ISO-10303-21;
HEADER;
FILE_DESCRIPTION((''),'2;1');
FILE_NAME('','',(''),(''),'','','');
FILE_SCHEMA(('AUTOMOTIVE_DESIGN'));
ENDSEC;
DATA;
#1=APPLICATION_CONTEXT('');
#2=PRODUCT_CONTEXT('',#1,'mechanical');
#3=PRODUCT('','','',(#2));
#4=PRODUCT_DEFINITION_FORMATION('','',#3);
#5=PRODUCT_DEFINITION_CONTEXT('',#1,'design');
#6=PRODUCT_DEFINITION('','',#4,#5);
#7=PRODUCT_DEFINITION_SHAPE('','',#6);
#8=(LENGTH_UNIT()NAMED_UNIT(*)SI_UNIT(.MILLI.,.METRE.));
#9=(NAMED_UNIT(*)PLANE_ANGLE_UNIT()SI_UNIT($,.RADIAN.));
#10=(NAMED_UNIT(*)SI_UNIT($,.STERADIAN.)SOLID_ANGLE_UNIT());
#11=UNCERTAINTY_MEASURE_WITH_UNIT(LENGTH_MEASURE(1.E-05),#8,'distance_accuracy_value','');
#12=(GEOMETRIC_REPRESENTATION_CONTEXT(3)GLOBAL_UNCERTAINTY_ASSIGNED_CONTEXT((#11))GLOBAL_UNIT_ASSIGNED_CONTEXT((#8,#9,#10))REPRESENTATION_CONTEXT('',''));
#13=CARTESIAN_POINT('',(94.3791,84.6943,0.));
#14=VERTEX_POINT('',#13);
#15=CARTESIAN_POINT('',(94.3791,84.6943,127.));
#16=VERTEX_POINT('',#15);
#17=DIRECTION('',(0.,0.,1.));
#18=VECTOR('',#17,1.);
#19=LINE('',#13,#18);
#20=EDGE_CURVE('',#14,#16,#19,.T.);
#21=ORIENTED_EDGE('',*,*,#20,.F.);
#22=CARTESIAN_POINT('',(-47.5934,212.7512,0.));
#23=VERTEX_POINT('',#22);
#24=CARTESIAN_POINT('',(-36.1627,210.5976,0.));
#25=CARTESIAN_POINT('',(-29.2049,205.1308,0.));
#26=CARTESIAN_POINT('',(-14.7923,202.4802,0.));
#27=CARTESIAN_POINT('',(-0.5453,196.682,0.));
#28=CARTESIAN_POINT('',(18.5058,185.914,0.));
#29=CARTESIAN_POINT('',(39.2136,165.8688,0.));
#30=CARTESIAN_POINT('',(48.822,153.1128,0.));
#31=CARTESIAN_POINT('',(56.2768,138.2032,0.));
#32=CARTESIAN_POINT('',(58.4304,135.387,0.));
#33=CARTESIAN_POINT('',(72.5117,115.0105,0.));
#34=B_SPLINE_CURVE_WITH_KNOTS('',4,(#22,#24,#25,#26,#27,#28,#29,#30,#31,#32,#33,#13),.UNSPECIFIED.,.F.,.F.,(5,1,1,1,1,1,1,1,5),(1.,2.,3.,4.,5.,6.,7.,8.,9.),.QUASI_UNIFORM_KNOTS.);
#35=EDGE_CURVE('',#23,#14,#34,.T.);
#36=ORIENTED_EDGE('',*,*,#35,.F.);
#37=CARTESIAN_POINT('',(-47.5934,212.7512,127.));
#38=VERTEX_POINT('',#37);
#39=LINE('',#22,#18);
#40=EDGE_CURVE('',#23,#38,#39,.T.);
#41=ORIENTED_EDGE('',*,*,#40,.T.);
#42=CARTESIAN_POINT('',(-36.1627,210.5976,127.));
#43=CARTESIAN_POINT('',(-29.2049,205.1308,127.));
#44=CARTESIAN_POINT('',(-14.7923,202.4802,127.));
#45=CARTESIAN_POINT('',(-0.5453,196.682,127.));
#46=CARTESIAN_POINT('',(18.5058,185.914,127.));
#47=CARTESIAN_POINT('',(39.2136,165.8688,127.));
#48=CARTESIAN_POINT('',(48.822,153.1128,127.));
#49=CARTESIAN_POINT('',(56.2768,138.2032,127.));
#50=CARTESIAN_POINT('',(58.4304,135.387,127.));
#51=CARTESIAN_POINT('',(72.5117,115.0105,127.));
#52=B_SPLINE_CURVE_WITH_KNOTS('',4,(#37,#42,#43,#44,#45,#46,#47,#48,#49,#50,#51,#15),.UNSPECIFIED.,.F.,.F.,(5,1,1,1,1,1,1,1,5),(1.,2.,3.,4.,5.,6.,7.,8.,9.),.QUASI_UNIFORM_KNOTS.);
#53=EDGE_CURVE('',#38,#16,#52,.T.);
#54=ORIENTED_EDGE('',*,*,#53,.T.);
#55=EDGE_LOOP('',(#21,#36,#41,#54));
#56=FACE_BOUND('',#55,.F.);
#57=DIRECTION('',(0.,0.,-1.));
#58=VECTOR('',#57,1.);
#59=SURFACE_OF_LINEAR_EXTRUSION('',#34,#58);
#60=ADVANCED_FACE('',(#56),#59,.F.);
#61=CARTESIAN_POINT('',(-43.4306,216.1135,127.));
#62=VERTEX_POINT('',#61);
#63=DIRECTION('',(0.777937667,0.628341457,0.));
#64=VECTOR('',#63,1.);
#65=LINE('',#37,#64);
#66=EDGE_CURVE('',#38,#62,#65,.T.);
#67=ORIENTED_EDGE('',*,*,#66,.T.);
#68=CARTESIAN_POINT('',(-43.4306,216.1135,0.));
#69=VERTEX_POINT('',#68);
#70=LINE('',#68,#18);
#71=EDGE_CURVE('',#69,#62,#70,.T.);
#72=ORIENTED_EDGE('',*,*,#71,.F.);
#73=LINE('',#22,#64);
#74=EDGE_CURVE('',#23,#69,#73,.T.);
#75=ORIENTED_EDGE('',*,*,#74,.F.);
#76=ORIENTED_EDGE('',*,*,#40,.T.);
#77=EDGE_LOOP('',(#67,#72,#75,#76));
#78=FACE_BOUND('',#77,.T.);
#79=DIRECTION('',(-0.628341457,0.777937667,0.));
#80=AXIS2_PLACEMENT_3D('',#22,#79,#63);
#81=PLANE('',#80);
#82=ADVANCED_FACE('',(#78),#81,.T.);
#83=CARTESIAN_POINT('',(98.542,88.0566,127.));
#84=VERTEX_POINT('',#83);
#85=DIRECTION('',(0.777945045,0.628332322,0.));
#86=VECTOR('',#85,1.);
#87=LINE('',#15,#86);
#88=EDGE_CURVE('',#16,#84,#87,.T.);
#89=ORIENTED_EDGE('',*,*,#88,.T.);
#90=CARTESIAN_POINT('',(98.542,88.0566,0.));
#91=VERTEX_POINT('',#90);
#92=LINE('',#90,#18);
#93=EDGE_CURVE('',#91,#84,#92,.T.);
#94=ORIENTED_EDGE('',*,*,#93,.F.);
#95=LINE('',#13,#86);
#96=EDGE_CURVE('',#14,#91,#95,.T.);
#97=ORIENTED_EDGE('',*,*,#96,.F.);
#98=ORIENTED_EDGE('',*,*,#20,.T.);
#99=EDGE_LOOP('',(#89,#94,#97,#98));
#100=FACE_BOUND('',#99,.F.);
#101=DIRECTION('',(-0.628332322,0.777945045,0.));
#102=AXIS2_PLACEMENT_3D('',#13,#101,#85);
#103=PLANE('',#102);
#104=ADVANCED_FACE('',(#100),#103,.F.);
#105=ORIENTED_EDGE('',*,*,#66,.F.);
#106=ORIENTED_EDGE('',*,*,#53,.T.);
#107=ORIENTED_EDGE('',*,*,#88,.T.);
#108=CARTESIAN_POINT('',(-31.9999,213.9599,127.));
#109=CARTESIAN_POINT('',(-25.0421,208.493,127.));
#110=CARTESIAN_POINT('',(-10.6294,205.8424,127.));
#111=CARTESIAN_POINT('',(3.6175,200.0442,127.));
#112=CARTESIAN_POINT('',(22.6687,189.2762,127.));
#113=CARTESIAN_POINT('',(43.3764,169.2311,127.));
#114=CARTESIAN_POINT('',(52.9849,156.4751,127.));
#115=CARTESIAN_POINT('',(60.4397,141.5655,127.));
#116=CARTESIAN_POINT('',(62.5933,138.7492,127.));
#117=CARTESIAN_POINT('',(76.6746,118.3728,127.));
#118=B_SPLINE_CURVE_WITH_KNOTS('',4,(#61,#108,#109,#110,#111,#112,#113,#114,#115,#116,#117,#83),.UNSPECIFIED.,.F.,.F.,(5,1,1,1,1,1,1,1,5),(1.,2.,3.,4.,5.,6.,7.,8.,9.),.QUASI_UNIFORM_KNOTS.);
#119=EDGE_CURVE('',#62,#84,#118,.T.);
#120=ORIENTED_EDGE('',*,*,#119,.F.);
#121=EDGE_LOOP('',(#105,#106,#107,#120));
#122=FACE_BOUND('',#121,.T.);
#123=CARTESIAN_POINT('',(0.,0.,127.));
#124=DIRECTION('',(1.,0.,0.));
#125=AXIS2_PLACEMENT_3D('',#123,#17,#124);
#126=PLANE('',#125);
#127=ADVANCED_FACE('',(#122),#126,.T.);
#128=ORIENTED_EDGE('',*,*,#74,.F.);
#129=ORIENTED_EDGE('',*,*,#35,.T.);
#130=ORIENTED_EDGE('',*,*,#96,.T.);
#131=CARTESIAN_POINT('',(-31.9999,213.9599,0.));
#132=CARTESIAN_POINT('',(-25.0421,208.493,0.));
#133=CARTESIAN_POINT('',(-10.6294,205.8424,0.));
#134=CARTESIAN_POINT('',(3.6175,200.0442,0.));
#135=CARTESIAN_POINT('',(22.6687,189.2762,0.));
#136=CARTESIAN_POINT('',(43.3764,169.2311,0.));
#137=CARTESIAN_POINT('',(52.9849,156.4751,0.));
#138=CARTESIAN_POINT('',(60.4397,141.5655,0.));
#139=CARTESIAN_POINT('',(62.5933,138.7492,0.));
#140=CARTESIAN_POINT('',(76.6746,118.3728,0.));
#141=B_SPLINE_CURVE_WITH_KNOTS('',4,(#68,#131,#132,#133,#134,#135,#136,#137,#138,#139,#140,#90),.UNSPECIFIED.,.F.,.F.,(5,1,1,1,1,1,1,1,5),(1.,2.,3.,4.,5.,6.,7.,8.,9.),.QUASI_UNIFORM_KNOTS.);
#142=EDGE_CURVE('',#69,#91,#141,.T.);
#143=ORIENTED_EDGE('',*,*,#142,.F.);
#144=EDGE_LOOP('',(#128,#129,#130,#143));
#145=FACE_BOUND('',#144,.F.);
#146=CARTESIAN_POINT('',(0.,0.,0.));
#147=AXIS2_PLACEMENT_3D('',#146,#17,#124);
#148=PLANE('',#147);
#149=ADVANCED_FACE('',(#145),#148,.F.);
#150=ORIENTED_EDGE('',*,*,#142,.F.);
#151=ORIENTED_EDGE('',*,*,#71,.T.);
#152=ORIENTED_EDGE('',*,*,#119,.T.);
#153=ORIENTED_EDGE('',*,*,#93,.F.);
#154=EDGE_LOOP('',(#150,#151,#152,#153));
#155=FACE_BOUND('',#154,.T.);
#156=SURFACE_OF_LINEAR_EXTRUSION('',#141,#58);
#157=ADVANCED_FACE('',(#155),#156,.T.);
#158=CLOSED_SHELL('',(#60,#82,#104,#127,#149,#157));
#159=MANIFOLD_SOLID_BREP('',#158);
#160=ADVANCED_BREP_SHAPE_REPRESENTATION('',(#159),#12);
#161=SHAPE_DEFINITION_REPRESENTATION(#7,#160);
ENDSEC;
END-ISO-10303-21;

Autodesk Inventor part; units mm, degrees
ref_plane "YZ Plane" through (0, 0, 0) normal (1, 0, 0) x (0, 1, 0)
ref_plane "XZ Plane" through (0, 0, 0) normal (0, 1, 0) x (-1, 0, 0)
ref_plane "XY Plane" through (0, 0, 0) normal (0, 0, 1) x (1, 0, 0)
sketch "Sketch1" plane through (0, 0, 0) normal (0, 0, 1) x (1, 0, 0)
  line L0 (-43.4306, 216.1135) -> (-31.9999, 213.9599) construction
  line L1 (-31.9999, 213.9599) -> (-25.0421, 208.493) construction
  line L2 (-25.0421, 208.493) -> (-10.6294, 205.8424) construction
  line L3 (-10.6294, 205.8424) -> (3.6175, 200.0442) construction
  line L4 (3.6175, 200.0442) -> (22.6687, 189.2762) construction
  line L5 (22.6687, 189.2762) -> (43.3764, 169.2311) construction
  line L6 (43.3764, 169.2311) -> (52.9849, 156.4751) construction
  line L7 (52.9849, 156.4751) -> (60.4397, 141.5655) construction
  line L8 (60.4397, 141.5655) -> (62.5933, 138.7492) construction
  line L9 (62.5933, 138.7492) -> (76.6746, 118.3728) construction
  line L10 (76.6746, 118.3728) -> (98.542, 88.0566) construction
  spline S0 degree 4 poles (-43.4306, 216.1135) (-31.9999, 213.9599) (-25.0421, 208.493) (-10.6294, 205.8424) (3.6175, 200.0442) (22.6687, 189.2762) (43.3764, 169.2311) (52.9849, 156.4751) (60.4397, 141.5655) (62.5933, 138.7492) (76.6746, 118.3728) (98.542, 88.0566) knots 1 1 1 1 1 2 3 4 5 6 7 8 9 9 9 9 9
  line L11 (-47.5934, 212.7512) -> (-36.1627, 210.5976) construction
  line L12 (-36.1627, 210.5976) -> (-29.2049, 205.1308) construction
  line L13 (-29.2049, 205.1308) -> (-14.7923, 202.4802) construction
  line L14 (-14.7923, 202.4802) -> (-0.5453, 196.682) construction
  line L15 (-0.5453, 196.682) -> (18.5058, 185.914) construction
  line L16 (18.5058, 185.914) -> (39.2136, 165.8688) construction
  line L17 (39.2136, 165.8688) -> (48.822, 153.1128) construction
  line L18 (48.822, 153.1128) -> (56.2768, 138.2032) construction
  line L19 (56.2768, 138.2032) -> (58.4304, 135.387) construction
  line L20 (58.4304, 135.387) -> (72.5117, 115.0105) construction
  line L21 (72.5117, 115.0105) -> (94.3791, 84.6943) construction
  spline S1 degree 4 poles (-47.5934, 212.7512) (-36.1627, 210.5976) (-29.2049, 205.1308) (-14.7923, 202.4802) (-0.5453, 196.682) (18.5058, 185.914) (39.2136, 165.8688) (48.822, 153.1128) (56.2768, 138.2032) (58.4304, 135.387) (72.5117, 115.0105) (94.3791, 84.6943) knots 1 1 1 1 1 2 3 4 5 6 7 8 9 9 9 9 9
  line L22 (94.3791, 84.6943) -> (98.542, 88.0566)
  line L23 (-47.5934, 212.7512) -> (-43.4306, 216.1135)
  point P0 (0, 0)
extrude "Extrusion1" add sketch "Sketch1" along normal blind 127
properties part number "intake"
